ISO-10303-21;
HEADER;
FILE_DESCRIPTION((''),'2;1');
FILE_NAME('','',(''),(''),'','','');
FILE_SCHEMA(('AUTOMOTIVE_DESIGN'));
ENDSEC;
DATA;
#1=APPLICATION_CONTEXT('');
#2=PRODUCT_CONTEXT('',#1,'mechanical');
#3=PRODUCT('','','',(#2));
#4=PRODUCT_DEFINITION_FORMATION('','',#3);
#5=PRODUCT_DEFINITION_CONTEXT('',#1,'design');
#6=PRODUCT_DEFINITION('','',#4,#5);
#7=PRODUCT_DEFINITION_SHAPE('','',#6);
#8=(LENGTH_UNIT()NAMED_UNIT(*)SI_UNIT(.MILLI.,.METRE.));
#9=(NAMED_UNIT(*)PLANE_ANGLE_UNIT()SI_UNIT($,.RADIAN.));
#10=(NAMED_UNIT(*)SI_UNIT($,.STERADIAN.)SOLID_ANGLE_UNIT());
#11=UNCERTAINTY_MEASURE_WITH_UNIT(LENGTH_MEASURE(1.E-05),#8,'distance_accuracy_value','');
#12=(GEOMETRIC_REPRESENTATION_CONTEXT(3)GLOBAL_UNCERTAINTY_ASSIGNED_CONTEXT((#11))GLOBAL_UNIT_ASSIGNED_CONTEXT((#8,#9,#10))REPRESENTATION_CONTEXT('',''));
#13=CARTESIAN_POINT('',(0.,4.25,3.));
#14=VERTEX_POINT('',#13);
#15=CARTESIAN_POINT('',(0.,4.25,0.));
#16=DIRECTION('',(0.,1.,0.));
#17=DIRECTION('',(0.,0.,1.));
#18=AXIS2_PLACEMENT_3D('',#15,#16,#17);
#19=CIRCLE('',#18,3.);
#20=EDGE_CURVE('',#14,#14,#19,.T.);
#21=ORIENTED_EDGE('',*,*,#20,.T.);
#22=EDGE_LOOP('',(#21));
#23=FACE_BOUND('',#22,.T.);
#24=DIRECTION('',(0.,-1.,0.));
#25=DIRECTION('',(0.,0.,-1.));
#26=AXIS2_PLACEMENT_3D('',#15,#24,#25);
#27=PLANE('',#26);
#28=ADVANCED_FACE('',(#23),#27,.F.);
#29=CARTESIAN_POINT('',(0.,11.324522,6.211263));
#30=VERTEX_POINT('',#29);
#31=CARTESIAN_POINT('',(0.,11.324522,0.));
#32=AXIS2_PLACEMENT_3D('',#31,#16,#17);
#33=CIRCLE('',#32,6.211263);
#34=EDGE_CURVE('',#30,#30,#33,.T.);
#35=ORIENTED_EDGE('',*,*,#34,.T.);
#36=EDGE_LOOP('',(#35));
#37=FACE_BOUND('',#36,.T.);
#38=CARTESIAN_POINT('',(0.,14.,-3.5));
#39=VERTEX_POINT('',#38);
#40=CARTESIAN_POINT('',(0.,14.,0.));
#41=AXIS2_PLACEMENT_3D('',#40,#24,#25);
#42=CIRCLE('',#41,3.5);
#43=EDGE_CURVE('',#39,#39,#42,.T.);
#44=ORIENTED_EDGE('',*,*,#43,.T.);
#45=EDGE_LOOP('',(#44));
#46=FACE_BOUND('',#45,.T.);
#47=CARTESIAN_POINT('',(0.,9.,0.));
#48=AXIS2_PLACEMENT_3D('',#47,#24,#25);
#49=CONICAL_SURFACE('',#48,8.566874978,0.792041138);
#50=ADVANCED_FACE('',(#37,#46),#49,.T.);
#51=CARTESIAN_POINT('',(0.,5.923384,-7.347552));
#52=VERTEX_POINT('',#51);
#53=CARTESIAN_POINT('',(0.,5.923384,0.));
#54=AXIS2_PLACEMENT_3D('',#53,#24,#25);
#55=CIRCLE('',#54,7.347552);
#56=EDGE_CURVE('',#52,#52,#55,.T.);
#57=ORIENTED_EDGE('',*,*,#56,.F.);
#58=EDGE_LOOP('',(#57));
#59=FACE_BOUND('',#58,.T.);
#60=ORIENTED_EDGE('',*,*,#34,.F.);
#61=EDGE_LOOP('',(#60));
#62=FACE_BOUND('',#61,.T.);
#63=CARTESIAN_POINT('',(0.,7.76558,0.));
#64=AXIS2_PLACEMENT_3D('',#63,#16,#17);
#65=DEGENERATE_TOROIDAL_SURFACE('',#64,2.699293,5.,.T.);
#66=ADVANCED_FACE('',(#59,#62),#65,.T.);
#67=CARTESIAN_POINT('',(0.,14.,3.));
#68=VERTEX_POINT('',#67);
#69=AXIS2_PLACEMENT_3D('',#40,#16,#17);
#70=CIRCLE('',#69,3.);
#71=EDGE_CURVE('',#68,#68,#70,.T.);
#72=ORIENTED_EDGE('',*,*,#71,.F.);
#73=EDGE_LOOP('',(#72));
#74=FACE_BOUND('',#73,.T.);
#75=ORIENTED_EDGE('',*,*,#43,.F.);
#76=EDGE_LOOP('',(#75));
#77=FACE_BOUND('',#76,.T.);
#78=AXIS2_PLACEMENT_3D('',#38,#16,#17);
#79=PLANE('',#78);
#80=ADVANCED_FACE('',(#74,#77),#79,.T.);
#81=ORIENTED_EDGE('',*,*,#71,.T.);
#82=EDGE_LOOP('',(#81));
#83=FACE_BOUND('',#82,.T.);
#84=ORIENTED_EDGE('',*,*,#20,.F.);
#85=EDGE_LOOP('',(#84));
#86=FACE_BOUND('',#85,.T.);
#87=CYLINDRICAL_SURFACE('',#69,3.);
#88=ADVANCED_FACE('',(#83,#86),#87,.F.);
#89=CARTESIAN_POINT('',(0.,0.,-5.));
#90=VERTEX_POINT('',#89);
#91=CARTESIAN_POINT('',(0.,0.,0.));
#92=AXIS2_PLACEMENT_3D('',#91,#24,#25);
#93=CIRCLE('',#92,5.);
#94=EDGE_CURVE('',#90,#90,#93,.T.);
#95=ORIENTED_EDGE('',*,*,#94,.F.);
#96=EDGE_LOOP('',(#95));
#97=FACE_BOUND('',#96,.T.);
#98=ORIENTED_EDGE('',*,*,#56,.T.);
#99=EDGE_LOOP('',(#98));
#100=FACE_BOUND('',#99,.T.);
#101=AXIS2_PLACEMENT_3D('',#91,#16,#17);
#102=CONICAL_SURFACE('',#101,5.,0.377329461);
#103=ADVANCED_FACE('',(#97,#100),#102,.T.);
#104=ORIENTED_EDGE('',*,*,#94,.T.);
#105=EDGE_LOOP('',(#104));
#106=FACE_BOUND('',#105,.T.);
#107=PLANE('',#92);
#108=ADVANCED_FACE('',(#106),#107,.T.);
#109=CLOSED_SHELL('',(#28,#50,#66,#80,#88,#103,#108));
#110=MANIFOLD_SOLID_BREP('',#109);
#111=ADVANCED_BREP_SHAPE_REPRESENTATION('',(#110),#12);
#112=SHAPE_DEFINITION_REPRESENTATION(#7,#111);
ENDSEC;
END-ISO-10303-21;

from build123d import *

# Parameters (mm, degrees)
M8_TAPPED_HOLE1_D     = 6
M8_TAPPED_HOLE1_DEPTH = 9.75
FILLET1_R             = 5


with BuildPart() as part:
    # Sketch1 → Revolve1 (revolve)
    with BuildSketch(Plane(origin=(0, 0, 0), x_dir=(0, 0, -1), z_dir=(1, 0, 0))):
        Polygon((0, 0), (5, 0), (8.566874978, 9), (3.5, 14), (0, 14), align=None)
    revolve(axis=Axis((0, 0, 0), (0, 1, 0)))

    # M8 Tapped Hole1
    with Locations(Plane(origin=(0, 14, 0), x_dir=(1, 0, 0), z_dir=(0, 1, 0))):
        with Locations((0, 0)):
            Hole(M8_TAPPED_HOLE1_D / 2, depth=M8_TAPPED_HOLE1_DEPTH)

    # Fillet1
    fillet1_edges = [part.edges().sort_by_distance(p)[0] for p in [
        (0, 9, 8.566874978),
    ]]
    fillet(fillet1_edges, radius=FILLET1_R)


solid = part.part
